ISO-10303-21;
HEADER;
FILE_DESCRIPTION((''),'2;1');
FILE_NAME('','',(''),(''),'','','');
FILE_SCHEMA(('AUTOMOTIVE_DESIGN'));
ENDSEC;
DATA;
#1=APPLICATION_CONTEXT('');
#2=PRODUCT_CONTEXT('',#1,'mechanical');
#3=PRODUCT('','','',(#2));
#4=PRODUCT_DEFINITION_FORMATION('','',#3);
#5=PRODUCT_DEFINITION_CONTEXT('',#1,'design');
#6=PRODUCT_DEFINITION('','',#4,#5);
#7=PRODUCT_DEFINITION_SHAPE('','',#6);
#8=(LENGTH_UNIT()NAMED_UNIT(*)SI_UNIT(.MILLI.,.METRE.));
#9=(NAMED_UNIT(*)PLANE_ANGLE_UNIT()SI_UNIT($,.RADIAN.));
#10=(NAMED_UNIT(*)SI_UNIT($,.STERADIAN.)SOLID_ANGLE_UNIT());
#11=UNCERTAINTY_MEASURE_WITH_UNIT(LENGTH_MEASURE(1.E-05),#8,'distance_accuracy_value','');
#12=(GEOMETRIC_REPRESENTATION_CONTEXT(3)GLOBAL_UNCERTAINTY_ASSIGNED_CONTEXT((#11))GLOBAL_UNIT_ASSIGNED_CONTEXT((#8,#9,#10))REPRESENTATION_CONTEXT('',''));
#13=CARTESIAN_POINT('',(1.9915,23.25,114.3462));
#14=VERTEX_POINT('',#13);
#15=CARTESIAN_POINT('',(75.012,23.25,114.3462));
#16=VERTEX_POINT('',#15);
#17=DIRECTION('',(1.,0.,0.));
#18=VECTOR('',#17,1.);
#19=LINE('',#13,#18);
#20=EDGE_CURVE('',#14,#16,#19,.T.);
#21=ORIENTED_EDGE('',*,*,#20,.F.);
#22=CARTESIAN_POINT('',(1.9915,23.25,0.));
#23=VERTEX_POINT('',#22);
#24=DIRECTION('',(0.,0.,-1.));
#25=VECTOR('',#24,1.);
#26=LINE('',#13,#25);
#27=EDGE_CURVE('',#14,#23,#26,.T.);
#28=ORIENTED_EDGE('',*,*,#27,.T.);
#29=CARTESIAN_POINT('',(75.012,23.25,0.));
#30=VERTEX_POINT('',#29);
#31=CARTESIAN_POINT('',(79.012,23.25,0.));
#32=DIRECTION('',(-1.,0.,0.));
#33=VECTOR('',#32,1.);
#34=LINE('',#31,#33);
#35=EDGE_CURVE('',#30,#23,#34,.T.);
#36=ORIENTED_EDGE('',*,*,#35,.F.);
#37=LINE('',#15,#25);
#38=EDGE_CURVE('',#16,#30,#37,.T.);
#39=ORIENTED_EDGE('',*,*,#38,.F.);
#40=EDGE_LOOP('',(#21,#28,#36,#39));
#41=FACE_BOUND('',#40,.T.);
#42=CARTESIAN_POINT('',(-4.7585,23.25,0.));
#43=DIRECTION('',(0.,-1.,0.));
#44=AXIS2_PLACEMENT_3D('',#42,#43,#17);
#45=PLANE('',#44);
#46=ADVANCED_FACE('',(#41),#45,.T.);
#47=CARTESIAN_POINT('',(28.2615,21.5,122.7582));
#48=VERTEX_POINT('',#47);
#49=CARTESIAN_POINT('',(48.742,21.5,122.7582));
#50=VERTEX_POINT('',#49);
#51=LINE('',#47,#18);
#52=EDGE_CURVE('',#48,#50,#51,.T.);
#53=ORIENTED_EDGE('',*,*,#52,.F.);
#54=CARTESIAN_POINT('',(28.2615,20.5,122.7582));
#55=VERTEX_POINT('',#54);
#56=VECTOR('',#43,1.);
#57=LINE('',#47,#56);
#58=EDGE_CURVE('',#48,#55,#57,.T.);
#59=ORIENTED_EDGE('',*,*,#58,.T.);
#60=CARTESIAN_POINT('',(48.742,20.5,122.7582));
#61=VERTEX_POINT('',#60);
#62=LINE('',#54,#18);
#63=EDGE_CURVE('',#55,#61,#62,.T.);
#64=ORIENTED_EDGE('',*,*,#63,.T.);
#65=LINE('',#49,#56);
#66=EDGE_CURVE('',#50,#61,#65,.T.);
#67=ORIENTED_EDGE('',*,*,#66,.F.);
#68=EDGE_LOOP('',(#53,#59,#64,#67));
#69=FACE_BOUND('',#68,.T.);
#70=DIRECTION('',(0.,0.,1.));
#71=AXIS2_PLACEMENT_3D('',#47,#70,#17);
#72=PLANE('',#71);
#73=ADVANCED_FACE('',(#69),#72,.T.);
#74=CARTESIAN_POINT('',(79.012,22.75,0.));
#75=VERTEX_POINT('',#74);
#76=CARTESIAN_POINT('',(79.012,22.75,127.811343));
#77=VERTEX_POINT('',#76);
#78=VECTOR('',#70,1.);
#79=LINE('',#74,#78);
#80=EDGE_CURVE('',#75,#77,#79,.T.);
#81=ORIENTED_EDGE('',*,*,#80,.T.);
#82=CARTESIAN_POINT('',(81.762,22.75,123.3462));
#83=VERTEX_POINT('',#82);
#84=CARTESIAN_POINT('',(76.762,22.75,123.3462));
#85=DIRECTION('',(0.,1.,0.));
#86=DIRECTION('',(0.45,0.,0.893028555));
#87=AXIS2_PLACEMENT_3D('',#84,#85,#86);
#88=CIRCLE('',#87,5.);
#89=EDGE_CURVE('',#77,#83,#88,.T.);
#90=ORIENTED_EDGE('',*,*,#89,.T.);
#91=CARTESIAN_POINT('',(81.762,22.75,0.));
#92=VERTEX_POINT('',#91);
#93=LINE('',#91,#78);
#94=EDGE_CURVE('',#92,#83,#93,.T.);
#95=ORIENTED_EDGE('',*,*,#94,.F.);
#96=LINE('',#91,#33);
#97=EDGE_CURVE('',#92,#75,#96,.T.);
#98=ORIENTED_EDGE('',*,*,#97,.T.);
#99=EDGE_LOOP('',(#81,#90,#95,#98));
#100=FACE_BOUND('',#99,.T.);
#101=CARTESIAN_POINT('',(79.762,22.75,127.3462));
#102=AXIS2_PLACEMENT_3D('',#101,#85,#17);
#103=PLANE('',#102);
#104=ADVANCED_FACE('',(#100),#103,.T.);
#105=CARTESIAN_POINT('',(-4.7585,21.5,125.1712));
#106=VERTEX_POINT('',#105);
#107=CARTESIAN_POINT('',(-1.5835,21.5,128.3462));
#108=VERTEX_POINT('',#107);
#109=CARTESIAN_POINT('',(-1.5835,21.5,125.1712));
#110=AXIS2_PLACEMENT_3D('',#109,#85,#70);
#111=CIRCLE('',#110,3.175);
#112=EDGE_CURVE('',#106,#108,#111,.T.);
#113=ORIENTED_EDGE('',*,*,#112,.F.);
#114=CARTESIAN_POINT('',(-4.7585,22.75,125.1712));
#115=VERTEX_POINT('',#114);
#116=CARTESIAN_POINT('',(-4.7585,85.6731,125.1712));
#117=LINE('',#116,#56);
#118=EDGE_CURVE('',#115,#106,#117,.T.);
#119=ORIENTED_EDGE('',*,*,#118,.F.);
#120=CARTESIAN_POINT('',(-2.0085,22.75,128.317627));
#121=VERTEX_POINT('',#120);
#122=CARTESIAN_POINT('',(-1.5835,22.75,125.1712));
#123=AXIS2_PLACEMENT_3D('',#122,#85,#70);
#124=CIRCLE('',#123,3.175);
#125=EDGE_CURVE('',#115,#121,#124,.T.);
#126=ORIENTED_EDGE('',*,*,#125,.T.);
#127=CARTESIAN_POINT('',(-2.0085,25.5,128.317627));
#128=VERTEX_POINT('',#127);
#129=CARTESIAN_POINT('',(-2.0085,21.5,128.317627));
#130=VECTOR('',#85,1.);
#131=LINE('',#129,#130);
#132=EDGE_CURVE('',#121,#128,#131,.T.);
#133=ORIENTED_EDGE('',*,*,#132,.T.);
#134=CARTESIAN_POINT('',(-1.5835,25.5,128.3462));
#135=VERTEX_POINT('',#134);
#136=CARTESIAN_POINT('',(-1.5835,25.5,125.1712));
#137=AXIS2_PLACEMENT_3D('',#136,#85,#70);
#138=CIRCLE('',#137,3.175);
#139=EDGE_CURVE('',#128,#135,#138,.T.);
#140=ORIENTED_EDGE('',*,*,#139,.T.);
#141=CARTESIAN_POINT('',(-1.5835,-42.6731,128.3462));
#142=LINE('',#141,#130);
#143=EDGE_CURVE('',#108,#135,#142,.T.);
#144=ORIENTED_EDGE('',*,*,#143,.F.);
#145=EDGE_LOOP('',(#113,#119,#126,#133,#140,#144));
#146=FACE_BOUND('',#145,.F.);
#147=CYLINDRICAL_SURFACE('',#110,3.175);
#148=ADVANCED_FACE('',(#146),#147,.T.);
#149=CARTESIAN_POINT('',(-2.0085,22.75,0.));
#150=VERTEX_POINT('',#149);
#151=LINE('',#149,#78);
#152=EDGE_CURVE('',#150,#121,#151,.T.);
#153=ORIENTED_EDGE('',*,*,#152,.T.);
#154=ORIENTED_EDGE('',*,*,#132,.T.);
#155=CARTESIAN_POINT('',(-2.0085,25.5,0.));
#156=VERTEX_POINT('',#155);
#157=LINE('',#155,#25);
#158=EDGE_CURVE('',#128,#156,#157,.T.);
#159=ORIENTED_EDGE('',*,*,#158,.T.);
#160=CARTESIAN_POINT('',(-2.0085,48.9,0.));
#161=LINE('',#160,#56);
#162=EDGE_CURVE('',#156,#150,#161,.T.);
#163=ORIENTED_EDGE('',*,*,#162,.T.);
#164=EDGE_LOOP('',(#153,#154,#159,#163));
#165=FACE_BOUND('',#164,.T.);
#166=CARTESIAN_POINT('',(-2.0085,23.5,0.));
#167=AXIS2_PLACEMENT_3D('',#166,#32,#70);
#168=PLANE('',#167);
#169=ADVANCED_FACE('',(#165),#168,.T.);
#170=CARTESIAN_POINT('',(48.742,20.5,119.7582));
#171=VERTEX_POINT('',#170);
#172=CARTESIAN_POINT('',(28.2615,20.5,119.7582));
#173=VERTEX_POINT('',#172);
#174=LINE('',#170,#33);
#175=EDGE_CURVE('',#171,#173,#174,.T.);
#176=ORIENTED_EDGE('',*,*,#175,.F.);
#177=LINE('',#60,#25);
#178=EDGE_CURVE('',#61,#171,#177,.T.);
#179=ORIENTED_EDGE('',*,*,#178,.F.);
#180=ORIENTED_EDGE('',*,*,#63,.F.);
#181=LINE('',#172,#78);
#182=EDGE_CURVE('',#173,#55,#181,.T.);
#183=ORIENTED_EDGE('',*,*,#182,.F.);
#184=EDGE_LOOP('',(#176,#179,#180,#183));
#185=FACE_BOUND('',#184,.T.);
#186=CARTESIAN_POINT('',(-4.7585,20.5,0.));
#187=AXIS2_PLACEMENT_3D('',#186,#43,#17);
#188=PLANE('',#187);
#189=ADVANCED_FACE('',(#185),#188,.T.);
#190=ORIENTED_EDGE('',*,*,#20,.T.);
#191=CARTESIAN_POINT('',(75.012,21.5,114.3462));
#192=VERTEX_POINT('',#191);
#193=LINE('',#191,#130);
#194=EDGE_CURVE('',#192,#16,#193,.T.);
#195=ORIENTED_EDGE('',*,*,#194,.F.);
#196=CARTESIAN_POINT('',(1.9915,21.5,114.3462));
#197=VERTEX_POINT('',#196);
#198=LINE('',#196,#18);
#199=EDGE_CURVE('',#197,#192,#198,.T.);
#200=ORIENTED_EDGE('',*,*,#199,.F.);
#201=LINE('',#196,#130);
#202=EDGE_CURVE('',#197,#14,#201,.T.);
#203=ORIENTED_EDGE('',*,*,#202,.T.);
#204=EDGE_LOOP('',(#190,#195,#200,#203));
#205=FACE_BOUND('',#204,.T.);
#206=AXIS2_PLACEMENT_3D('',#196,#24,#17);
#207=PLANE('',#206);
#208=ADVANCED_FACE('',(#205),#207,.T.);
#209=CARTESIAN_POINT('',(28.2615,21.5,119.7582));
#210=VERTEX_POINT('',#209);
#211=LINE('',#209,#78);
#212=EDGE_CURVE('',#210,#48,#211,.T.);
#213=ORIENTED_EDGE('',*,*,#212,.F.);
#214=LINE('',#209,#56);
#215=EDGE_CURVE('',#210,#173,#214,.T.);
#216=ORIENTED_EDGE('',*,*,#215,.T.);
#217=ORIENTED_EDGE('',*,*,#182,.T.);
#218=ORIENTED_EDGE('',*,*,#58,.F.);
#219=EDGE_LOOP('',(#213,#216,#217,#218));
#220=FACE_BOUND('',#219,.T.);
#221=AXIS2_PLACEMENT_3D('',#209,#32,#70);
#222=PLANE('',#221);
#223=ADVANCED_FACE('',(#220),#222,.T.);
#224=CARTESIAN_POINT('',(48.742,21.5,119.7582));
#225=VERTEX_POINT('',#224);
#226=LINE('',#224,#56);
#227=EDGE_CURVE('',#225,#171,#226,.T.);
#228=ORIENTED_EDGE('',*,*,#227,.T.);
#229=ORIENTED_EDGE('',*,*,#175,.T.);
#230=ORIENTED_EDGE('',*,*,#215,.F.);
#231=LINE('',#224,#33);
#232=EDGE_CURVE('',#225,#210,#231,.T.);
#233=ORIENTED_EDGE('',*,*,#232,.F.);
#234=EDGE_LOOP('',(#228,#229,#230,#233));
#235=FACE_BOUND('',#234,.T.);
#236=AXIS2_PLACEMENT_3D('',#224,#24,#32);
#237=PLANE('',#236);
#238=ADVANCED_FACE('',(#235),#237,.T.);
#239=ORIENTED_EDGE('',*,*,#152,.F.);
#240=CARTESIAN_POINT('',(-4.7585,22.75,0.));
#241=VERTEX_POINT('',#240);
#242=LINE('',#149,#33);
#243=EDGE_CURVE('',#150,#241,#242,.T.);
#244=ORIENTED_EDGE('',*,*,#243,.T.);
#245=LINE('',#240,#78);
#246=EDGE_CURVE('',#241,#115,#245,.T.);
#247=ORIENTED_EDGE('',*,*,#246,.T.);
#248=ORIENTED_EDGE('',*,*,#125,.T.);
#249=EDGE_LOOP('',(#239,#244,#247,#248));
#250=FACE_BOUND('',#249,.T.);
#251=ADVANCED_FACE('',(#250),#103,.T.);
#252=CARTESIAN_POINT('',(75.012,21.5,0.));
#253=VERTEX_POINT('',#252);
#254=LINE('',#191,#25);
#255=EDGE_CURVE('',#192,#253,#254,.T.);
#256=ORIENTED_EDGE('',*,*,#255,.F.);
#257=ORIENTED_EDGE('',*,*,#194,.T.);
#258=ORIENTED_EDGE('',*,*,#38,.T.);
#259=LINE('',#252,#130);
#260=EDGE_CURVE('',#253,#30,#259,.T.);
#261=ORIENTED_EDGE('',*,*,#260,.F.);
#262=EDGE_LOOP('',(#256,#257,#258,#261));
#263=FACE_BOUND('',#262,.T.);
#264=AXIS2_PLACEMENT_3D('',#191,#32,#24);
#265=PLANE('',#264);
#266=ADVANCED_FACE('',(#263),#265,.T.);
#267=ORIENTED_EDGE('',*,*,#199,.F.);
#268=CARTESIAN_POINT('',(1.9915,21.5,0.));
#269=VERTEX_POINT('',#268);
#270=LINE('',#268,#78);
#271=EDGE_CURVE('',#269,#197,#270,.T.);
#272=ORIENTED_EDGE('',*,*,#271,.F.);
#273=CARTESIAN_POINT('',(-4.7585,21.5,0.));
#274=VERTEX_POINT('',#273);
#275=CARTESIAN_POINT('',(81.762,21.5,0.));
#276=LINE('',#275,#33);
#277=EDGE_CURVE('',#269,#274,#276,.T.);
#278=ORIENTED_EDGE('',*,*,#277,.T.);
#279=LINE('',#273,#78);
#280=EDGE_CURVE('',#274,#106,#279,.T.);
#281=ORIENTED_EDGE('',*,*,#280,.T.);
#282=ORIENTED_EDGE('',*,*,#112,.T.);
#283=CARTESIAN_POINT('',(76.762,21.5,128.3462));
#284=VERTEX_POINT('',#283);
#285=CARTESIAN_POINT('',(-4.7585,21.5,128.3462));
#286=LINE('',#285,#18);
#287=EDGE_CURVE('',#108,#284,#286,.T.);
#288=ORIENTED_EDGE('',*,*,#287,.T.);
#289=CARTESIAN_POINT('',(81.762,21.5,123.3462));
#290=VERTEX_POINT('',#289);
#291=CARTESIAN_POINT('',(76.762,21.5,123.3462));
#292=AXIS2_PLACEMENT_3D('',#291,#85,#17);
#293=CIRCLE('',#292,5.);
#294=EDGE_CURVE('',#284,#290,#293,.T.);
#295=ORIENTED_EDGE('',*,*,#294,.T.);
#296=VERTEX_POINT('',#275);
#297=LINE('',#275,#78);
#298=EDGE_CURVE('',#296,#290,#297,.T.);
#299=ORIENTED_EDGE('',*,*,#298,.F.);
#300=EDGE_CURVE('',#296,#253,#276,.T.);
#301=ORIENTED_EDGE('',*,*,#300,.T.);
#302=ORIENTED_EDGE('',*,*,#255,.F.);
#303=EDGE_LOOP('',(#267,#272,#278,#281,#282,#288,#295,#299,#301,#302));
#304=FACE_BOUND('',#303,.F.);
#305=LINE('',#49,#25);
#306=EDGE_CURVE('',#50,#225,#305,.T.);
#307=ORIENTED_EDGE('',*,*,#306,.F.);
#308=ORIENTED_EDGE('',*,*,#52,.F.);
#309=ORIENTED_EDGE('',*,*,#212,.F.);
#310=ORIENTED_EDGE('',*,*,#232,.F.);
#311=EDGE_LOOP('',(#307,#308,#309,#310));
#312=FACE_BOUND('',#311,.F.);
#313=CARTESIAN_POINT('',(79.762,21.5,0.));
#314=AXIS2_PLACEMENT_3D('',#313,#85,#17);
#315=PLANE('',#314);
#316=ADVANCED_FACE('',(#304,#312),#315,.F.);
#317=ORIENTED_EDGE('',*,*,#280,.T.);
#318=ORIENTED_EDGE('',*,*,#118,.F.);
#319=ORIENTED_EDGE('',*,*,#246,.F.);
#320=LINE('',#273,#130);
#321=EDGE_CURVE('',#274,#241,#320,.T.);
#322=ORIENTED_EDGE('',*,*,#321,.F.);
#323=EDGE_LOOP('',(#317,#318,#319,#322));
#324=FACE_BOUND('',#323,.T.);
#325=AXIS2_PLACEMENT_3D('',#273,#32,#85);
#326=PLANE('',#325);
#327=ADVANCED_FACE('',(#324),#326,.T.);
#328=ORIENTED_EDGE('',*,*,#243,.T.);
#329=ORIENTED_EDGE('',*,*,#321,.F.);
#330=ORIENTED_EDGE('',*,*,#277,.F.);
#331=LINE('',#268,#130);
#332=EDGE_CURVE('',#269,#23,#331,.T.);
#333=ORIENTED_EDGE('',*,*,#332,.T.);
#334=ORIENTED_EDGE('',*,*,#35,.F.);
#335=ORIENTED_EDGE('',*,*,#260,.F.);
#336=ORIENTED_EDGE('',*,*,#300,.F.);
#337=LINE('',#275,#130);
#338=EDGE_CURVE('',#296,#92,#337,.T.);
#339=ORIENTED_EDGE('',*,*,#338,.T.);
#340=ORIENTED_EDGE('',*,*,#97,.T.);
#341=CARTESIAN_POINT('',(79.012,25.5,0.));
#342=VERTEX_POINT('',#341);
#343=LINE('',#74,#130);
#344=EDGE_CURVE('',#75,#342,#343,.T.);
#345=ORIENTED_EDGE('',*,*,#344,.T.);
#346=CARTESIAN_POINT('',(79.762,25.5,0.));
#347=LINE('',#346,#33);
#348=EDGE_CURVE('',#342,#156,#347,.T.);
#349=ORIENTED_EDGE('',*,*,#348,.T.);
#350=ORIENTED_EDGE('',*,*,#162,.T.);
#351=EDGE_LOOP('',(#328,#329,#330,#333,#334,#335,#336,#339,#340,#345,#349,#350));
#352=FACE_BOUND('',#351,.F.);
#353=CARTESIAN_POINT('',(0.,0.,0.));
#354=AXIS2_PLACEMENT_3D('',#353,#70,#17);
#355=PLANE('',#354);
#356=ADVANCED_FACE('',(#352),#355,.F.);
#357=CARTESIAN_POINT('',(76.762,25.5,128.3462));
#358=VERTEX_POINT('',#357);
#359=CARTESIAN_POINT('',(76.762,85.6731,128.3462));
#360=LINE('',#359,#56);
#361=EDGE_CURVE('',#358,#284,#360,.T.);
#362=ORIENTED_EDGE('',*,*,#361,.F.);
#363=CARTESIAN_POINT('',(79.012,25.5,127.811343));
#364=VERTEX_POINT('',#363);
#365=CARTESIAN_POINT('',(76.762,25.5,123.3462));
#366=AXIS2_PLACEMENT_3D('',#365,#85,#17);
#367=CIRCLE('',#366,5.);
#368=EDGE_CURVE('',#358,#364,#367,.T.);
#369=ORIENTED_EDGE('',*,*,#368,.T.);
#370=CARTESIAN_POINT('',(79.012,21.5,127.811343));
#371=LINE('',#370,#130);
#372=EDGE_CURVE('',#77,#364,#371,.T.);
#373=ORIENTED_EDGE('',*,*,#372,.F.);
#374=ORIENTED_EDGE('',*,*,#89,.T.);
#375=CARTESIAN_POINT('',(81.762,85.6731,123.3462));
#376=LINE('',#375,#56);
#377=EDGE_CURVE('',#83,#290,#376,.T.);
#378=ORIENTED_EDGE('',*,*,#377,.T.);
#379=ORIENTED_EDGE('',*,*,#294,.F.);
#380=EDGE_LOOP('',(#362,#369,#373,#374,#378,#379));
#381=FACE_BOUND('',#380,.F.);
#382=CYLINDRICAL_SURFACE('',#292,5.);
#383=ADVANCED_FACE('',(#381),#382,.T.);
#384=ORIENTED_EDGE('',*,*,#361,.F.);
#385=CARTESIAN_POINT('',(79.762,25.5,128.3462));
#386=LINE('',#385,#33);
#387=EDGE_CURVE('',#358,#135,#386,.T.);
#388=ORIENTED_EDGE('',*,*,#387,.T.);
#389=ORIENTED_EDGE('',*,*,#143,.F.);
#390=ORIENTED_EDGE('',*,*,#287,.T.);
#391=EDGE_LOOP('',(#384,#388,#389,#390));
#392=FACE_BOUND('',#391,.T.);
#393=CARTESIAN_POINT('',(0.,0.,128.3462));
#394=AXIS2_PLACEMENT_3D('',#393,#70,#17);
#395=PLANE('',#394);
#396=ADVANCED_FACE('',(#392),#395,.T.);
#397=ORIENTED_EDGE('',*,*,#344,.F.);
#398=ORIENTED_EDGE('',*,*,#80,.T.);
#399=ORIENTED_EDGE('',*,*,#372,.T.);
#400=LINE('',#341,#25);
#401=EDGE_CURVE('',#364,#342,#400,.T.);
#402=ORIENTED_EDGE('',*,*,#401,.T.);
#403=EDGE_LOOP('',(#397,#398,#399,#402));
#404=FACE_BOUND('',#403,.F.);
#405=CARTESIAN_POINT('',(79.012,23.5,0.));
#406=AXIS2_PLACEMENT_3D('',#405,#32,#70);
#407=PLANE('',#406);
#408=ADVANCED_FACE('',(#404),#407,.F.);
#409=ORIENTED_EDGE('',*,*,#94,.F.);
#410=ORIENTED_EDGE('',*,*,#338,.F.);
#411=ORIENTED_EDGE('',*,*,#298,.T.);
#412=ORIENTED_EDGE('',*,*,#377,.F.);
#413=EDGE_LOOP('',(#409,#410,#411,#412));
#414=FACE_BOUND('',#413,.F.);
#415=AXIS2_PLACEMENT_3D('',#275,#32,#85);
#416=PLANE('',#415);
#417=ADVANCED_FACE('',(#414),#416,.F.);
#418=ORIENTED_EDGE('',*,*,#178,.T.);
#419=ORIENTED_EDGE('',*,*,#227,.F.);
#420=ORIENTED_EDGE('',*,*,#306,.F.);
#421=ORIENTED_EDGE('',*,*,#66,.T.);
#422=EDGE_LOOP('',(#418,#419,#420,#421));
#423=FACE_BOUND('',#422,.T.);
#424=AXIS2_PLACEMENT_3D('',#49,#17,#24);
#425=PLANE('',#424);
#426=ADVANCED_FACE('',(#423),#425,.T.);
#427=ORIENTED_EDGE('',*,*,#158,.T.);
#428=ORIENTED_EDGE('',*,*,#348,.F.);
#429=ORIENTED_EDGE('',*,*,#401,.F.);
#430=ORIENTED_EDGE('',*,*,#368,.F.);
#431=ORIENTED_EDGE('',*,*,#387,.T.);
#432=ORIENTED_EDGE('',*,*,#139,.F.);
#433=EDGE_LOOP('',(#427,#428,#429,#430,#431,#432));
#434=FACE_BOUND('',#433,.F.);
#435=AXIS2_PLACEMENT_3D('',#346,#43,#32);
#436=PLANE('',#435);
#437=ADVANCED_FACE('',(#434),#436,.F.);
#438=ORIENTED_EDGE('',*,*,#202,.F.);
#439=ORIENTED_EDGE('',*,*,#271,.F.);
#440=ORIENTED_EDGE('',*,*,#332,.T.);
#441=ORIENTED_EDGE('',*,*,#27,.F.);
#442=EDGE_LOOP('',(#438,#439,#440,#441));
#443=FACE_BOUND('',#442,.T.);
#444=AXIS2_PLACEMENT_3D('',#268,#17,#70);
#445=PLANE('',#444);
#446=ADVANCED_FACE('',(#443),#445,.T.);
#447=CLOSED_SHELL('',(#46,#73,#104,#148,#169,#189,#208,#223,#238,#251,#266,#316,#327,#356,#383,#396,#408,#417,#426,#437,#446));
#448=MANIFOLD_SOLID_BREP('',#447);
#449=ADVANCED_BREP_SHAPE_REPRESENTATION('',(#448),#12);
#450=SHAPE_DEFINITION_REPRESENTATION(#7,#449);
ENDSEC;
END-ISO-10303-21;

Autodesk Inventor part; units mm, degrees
ref_plane "YZ Plane" through (0, 0, 0) normal (1, 0, 0) x (0, 1, 0)
ref_plane "XZ Plane" through (0, 0, 0) normal (0, 1, 0) x (-1, 0, 0)
ref_plane "XY Plane" through (0, 0, 0) normal (0, 0, 1) x (1, 0, 0)
sketch "Sketch1" plane through (0, 0, 0) normal (0, 0, 1) x (1, 0, 0)
  line L0 (-2.7585, 21.5) -> (79.762, 21.5)
  line L1 (79.762, 23.5) -> (79.762, 25.5)
  line L2 (79.762, 25.5) -> (-2.7585, 25.5)
  line L3 (-2.7585, 25.5) -> (-2.7585, 23.5)
  line L4 (-2.7585, 21.5) -> (-4.7585, 21.5)
  line L5 (-4.7585, 21.5) -> (-4.7585, 23.5)
  line L6 (-4.7585, 23.5) -> (-2.7585, 23.5)
  line L7 (-2.7585, 23.5) -> (-2.7585, 21.5)
  line L8 (79.762, 25.5) -> (-2.7585, 25.5)
  line L9 (81.762, 23.5) -> (79.762, 23.5)
  line L10 (79.762, 21.5) -> (81.762, 21.5)
  line L11 (81.762, 21.5) -> (81.762, 23.5)
  point P0 (0, 0)
  point P1 (2.8, 2)
  dimension "d0" = 4
  dimension "d1" = 2
  dimension "d2" = 2
extrude "Extrusion1" add sketch "Sketch1" along normal blind 128.3462
sketch "Sketch3" plane through (-4.7585, 21.5, 0) normal (0, -1, 0) x (1, 0, 0)
  line L0 (0, 128.3462) -> (86.5205, 128.3462) projected
  arc A0 (3.175, 128.3462) -> (0, 125.1712) centre (3.175, 125.1712) ccw
  arc A1 (86.5205, 123.3462) -> (81.5205, 128.3462) centre (81.5205, 123.3462) ccw
  line L1 (0, 0) -> (0, 128.3462) projected
  line L2 (0, 128.3462) -> (3.175, 128.3462)
  line L3 (0, 128.3462) -> (0, 125.1712)
  line L4 (81.5205, 128.3462) -> (86.5205, 128.3462)
  line L5 (86.5205, 128.3462) -> (86.5205, 123.3462)
  point P0 (4.7585, 0)
  dimension "d5" = 3.175
  dimension "d6" = 5
extrude "Extrusion2" cut sketch "Sketch3" along normal mid plane 128.3462
sketch "Sketch4" plane through (79.762, 23.5, 127.3462) normal (0, 1, 0) x (1, 0, 0)
  line L0 (-84.5205, 127.3462) -> (-84.5205, 2.175) projected
  line L1 (-82.5205, 127.3462) -> (-82.5205, -0.7746) projected
  line L2 (0, 127.3462) -> (0, 0) projected
  line L3 (2, 127.3462) -> (2, 4) projected
  line L4 (2, 127.3462) -> (0, 127.3462) projected
  line L5 (-82.5205, 127.3462) -> (-84.5205, 127.3462) projected
  arc A0 (-84.5205, 2.175) -> (-82.5205, -0.7746) centre (-81.3455, 2.175) ccw projected
  arc A1 (0, 0) -> (2, 4) centre (-3, 4) ccw projected
  line L6 (-82.5205, 127.3462) -> (-82.5205, -0.7746) projected
  line L7 (-82.5205, 127.3462) -> (-81.7705, 127.3462)
  line L8 (-81.7705, 127.3462) -> (-81.7705, -1)
  line L9 (-81.7705, -1) -> (-82.5205, -1)
  line L10 (-82.5205, -1) -> (-82.5205, -0.7746)
  line L11 (0, 127.3462) -> (-0.75, 127.3462)
  line L12 (-0.75, 127.3462) -> (-0.75, -1)
  line L13 (-0.75, -1) -> (0, -1)
  line L14 (0, -1) -> (0, 0)
  point P0 (-79.762, 127.3462)
  dimension "d9" = 0.75
  dimension "d10" = 0.75
extrude "Extrusion3" cut sketch "Sketch4" against normal blind 0.75 and the other way blind 25.4
sketch "Sketch5" plane through (-4.7585, 21.5, 0) normal (0, -1, 0) x (1, 0, 0)
  line L0 (33.02, 122.7582) -> (53.5005, 122.7582)
  line L1 (53.5005, 122.7582) -> (53.5005, 119.7582)
  line L2 (53.5005, 119.7582) -> (33.02, 119.7582)
  line L3 (33.02, 119.7582) -> (33.02, 122.7582)
  line L4 (3.175, 128.3462) -> (81.5205, 128.3462) projected
  line L5 (86.5205, 0) -> (86.5205, 123.3462) projected
  line L6 (0, 0) -> (0, 125.1712) projected
  point P0 (4.7585, 0)
  dimension "d15" = 5.588
  dimension "d16" = 33.02
  dimension "d17" = 33.02
  dimension "d18" = 3
extrude "Extrusion4" add sketch "Sketch5" along normal blind 1
sketch "Sketch6" plane through (-4.7585, 21.5, 0) normal (0, -1, 0) x (1, 0, 0)
  line L0 (0, 0) -> (0, 125.1712) projected
  line L1 (83.7705, 127.8113) -> (83.7705, 0) projected
  line L2 (83.7705, 0) -> (2.75, 0) projected
  line L3 (2.75, 0) -> (2.75, 128.3176) projected
  arc A0 (3.175, 128.3462) -> (2.75, 128.3176) centre (3.175, 125.1712) ccw projected
  line L4 (81.5205, 128.3462) -> (3.175, 128.3462) projected
  arc A1 (83.7705, 127.8113) -> (81.5205, 128.3462) centre (81.5205, 123.3462) ccw projected
  line L5 (6.75, 70.3822) -> (6.75, 114.3462)
  line L6 (0, 0) -> (86.5205, 0) projected
  line L7 (6.75, 114.3462) -> (79.7705, 114.3462)
  line L8 (79.7705, 114.3462) -> (79.7705, 0)
  line L9 (79.7705, 0) -> (6.75, 0)
  line L10 (6.75, 0) -> (6.75, 114.3462)
  point P0 (4.7585, 0)
  dimension "d21" = 4
  dimension "d22" = 14
  dimension "d23" = 4
extrude "Extrusion5" cut sketch "Sketch6" against normal blind 1.75 contours L2 L10 L5 L7 L8
properties part number "Capstone Calculator Back Cover"
